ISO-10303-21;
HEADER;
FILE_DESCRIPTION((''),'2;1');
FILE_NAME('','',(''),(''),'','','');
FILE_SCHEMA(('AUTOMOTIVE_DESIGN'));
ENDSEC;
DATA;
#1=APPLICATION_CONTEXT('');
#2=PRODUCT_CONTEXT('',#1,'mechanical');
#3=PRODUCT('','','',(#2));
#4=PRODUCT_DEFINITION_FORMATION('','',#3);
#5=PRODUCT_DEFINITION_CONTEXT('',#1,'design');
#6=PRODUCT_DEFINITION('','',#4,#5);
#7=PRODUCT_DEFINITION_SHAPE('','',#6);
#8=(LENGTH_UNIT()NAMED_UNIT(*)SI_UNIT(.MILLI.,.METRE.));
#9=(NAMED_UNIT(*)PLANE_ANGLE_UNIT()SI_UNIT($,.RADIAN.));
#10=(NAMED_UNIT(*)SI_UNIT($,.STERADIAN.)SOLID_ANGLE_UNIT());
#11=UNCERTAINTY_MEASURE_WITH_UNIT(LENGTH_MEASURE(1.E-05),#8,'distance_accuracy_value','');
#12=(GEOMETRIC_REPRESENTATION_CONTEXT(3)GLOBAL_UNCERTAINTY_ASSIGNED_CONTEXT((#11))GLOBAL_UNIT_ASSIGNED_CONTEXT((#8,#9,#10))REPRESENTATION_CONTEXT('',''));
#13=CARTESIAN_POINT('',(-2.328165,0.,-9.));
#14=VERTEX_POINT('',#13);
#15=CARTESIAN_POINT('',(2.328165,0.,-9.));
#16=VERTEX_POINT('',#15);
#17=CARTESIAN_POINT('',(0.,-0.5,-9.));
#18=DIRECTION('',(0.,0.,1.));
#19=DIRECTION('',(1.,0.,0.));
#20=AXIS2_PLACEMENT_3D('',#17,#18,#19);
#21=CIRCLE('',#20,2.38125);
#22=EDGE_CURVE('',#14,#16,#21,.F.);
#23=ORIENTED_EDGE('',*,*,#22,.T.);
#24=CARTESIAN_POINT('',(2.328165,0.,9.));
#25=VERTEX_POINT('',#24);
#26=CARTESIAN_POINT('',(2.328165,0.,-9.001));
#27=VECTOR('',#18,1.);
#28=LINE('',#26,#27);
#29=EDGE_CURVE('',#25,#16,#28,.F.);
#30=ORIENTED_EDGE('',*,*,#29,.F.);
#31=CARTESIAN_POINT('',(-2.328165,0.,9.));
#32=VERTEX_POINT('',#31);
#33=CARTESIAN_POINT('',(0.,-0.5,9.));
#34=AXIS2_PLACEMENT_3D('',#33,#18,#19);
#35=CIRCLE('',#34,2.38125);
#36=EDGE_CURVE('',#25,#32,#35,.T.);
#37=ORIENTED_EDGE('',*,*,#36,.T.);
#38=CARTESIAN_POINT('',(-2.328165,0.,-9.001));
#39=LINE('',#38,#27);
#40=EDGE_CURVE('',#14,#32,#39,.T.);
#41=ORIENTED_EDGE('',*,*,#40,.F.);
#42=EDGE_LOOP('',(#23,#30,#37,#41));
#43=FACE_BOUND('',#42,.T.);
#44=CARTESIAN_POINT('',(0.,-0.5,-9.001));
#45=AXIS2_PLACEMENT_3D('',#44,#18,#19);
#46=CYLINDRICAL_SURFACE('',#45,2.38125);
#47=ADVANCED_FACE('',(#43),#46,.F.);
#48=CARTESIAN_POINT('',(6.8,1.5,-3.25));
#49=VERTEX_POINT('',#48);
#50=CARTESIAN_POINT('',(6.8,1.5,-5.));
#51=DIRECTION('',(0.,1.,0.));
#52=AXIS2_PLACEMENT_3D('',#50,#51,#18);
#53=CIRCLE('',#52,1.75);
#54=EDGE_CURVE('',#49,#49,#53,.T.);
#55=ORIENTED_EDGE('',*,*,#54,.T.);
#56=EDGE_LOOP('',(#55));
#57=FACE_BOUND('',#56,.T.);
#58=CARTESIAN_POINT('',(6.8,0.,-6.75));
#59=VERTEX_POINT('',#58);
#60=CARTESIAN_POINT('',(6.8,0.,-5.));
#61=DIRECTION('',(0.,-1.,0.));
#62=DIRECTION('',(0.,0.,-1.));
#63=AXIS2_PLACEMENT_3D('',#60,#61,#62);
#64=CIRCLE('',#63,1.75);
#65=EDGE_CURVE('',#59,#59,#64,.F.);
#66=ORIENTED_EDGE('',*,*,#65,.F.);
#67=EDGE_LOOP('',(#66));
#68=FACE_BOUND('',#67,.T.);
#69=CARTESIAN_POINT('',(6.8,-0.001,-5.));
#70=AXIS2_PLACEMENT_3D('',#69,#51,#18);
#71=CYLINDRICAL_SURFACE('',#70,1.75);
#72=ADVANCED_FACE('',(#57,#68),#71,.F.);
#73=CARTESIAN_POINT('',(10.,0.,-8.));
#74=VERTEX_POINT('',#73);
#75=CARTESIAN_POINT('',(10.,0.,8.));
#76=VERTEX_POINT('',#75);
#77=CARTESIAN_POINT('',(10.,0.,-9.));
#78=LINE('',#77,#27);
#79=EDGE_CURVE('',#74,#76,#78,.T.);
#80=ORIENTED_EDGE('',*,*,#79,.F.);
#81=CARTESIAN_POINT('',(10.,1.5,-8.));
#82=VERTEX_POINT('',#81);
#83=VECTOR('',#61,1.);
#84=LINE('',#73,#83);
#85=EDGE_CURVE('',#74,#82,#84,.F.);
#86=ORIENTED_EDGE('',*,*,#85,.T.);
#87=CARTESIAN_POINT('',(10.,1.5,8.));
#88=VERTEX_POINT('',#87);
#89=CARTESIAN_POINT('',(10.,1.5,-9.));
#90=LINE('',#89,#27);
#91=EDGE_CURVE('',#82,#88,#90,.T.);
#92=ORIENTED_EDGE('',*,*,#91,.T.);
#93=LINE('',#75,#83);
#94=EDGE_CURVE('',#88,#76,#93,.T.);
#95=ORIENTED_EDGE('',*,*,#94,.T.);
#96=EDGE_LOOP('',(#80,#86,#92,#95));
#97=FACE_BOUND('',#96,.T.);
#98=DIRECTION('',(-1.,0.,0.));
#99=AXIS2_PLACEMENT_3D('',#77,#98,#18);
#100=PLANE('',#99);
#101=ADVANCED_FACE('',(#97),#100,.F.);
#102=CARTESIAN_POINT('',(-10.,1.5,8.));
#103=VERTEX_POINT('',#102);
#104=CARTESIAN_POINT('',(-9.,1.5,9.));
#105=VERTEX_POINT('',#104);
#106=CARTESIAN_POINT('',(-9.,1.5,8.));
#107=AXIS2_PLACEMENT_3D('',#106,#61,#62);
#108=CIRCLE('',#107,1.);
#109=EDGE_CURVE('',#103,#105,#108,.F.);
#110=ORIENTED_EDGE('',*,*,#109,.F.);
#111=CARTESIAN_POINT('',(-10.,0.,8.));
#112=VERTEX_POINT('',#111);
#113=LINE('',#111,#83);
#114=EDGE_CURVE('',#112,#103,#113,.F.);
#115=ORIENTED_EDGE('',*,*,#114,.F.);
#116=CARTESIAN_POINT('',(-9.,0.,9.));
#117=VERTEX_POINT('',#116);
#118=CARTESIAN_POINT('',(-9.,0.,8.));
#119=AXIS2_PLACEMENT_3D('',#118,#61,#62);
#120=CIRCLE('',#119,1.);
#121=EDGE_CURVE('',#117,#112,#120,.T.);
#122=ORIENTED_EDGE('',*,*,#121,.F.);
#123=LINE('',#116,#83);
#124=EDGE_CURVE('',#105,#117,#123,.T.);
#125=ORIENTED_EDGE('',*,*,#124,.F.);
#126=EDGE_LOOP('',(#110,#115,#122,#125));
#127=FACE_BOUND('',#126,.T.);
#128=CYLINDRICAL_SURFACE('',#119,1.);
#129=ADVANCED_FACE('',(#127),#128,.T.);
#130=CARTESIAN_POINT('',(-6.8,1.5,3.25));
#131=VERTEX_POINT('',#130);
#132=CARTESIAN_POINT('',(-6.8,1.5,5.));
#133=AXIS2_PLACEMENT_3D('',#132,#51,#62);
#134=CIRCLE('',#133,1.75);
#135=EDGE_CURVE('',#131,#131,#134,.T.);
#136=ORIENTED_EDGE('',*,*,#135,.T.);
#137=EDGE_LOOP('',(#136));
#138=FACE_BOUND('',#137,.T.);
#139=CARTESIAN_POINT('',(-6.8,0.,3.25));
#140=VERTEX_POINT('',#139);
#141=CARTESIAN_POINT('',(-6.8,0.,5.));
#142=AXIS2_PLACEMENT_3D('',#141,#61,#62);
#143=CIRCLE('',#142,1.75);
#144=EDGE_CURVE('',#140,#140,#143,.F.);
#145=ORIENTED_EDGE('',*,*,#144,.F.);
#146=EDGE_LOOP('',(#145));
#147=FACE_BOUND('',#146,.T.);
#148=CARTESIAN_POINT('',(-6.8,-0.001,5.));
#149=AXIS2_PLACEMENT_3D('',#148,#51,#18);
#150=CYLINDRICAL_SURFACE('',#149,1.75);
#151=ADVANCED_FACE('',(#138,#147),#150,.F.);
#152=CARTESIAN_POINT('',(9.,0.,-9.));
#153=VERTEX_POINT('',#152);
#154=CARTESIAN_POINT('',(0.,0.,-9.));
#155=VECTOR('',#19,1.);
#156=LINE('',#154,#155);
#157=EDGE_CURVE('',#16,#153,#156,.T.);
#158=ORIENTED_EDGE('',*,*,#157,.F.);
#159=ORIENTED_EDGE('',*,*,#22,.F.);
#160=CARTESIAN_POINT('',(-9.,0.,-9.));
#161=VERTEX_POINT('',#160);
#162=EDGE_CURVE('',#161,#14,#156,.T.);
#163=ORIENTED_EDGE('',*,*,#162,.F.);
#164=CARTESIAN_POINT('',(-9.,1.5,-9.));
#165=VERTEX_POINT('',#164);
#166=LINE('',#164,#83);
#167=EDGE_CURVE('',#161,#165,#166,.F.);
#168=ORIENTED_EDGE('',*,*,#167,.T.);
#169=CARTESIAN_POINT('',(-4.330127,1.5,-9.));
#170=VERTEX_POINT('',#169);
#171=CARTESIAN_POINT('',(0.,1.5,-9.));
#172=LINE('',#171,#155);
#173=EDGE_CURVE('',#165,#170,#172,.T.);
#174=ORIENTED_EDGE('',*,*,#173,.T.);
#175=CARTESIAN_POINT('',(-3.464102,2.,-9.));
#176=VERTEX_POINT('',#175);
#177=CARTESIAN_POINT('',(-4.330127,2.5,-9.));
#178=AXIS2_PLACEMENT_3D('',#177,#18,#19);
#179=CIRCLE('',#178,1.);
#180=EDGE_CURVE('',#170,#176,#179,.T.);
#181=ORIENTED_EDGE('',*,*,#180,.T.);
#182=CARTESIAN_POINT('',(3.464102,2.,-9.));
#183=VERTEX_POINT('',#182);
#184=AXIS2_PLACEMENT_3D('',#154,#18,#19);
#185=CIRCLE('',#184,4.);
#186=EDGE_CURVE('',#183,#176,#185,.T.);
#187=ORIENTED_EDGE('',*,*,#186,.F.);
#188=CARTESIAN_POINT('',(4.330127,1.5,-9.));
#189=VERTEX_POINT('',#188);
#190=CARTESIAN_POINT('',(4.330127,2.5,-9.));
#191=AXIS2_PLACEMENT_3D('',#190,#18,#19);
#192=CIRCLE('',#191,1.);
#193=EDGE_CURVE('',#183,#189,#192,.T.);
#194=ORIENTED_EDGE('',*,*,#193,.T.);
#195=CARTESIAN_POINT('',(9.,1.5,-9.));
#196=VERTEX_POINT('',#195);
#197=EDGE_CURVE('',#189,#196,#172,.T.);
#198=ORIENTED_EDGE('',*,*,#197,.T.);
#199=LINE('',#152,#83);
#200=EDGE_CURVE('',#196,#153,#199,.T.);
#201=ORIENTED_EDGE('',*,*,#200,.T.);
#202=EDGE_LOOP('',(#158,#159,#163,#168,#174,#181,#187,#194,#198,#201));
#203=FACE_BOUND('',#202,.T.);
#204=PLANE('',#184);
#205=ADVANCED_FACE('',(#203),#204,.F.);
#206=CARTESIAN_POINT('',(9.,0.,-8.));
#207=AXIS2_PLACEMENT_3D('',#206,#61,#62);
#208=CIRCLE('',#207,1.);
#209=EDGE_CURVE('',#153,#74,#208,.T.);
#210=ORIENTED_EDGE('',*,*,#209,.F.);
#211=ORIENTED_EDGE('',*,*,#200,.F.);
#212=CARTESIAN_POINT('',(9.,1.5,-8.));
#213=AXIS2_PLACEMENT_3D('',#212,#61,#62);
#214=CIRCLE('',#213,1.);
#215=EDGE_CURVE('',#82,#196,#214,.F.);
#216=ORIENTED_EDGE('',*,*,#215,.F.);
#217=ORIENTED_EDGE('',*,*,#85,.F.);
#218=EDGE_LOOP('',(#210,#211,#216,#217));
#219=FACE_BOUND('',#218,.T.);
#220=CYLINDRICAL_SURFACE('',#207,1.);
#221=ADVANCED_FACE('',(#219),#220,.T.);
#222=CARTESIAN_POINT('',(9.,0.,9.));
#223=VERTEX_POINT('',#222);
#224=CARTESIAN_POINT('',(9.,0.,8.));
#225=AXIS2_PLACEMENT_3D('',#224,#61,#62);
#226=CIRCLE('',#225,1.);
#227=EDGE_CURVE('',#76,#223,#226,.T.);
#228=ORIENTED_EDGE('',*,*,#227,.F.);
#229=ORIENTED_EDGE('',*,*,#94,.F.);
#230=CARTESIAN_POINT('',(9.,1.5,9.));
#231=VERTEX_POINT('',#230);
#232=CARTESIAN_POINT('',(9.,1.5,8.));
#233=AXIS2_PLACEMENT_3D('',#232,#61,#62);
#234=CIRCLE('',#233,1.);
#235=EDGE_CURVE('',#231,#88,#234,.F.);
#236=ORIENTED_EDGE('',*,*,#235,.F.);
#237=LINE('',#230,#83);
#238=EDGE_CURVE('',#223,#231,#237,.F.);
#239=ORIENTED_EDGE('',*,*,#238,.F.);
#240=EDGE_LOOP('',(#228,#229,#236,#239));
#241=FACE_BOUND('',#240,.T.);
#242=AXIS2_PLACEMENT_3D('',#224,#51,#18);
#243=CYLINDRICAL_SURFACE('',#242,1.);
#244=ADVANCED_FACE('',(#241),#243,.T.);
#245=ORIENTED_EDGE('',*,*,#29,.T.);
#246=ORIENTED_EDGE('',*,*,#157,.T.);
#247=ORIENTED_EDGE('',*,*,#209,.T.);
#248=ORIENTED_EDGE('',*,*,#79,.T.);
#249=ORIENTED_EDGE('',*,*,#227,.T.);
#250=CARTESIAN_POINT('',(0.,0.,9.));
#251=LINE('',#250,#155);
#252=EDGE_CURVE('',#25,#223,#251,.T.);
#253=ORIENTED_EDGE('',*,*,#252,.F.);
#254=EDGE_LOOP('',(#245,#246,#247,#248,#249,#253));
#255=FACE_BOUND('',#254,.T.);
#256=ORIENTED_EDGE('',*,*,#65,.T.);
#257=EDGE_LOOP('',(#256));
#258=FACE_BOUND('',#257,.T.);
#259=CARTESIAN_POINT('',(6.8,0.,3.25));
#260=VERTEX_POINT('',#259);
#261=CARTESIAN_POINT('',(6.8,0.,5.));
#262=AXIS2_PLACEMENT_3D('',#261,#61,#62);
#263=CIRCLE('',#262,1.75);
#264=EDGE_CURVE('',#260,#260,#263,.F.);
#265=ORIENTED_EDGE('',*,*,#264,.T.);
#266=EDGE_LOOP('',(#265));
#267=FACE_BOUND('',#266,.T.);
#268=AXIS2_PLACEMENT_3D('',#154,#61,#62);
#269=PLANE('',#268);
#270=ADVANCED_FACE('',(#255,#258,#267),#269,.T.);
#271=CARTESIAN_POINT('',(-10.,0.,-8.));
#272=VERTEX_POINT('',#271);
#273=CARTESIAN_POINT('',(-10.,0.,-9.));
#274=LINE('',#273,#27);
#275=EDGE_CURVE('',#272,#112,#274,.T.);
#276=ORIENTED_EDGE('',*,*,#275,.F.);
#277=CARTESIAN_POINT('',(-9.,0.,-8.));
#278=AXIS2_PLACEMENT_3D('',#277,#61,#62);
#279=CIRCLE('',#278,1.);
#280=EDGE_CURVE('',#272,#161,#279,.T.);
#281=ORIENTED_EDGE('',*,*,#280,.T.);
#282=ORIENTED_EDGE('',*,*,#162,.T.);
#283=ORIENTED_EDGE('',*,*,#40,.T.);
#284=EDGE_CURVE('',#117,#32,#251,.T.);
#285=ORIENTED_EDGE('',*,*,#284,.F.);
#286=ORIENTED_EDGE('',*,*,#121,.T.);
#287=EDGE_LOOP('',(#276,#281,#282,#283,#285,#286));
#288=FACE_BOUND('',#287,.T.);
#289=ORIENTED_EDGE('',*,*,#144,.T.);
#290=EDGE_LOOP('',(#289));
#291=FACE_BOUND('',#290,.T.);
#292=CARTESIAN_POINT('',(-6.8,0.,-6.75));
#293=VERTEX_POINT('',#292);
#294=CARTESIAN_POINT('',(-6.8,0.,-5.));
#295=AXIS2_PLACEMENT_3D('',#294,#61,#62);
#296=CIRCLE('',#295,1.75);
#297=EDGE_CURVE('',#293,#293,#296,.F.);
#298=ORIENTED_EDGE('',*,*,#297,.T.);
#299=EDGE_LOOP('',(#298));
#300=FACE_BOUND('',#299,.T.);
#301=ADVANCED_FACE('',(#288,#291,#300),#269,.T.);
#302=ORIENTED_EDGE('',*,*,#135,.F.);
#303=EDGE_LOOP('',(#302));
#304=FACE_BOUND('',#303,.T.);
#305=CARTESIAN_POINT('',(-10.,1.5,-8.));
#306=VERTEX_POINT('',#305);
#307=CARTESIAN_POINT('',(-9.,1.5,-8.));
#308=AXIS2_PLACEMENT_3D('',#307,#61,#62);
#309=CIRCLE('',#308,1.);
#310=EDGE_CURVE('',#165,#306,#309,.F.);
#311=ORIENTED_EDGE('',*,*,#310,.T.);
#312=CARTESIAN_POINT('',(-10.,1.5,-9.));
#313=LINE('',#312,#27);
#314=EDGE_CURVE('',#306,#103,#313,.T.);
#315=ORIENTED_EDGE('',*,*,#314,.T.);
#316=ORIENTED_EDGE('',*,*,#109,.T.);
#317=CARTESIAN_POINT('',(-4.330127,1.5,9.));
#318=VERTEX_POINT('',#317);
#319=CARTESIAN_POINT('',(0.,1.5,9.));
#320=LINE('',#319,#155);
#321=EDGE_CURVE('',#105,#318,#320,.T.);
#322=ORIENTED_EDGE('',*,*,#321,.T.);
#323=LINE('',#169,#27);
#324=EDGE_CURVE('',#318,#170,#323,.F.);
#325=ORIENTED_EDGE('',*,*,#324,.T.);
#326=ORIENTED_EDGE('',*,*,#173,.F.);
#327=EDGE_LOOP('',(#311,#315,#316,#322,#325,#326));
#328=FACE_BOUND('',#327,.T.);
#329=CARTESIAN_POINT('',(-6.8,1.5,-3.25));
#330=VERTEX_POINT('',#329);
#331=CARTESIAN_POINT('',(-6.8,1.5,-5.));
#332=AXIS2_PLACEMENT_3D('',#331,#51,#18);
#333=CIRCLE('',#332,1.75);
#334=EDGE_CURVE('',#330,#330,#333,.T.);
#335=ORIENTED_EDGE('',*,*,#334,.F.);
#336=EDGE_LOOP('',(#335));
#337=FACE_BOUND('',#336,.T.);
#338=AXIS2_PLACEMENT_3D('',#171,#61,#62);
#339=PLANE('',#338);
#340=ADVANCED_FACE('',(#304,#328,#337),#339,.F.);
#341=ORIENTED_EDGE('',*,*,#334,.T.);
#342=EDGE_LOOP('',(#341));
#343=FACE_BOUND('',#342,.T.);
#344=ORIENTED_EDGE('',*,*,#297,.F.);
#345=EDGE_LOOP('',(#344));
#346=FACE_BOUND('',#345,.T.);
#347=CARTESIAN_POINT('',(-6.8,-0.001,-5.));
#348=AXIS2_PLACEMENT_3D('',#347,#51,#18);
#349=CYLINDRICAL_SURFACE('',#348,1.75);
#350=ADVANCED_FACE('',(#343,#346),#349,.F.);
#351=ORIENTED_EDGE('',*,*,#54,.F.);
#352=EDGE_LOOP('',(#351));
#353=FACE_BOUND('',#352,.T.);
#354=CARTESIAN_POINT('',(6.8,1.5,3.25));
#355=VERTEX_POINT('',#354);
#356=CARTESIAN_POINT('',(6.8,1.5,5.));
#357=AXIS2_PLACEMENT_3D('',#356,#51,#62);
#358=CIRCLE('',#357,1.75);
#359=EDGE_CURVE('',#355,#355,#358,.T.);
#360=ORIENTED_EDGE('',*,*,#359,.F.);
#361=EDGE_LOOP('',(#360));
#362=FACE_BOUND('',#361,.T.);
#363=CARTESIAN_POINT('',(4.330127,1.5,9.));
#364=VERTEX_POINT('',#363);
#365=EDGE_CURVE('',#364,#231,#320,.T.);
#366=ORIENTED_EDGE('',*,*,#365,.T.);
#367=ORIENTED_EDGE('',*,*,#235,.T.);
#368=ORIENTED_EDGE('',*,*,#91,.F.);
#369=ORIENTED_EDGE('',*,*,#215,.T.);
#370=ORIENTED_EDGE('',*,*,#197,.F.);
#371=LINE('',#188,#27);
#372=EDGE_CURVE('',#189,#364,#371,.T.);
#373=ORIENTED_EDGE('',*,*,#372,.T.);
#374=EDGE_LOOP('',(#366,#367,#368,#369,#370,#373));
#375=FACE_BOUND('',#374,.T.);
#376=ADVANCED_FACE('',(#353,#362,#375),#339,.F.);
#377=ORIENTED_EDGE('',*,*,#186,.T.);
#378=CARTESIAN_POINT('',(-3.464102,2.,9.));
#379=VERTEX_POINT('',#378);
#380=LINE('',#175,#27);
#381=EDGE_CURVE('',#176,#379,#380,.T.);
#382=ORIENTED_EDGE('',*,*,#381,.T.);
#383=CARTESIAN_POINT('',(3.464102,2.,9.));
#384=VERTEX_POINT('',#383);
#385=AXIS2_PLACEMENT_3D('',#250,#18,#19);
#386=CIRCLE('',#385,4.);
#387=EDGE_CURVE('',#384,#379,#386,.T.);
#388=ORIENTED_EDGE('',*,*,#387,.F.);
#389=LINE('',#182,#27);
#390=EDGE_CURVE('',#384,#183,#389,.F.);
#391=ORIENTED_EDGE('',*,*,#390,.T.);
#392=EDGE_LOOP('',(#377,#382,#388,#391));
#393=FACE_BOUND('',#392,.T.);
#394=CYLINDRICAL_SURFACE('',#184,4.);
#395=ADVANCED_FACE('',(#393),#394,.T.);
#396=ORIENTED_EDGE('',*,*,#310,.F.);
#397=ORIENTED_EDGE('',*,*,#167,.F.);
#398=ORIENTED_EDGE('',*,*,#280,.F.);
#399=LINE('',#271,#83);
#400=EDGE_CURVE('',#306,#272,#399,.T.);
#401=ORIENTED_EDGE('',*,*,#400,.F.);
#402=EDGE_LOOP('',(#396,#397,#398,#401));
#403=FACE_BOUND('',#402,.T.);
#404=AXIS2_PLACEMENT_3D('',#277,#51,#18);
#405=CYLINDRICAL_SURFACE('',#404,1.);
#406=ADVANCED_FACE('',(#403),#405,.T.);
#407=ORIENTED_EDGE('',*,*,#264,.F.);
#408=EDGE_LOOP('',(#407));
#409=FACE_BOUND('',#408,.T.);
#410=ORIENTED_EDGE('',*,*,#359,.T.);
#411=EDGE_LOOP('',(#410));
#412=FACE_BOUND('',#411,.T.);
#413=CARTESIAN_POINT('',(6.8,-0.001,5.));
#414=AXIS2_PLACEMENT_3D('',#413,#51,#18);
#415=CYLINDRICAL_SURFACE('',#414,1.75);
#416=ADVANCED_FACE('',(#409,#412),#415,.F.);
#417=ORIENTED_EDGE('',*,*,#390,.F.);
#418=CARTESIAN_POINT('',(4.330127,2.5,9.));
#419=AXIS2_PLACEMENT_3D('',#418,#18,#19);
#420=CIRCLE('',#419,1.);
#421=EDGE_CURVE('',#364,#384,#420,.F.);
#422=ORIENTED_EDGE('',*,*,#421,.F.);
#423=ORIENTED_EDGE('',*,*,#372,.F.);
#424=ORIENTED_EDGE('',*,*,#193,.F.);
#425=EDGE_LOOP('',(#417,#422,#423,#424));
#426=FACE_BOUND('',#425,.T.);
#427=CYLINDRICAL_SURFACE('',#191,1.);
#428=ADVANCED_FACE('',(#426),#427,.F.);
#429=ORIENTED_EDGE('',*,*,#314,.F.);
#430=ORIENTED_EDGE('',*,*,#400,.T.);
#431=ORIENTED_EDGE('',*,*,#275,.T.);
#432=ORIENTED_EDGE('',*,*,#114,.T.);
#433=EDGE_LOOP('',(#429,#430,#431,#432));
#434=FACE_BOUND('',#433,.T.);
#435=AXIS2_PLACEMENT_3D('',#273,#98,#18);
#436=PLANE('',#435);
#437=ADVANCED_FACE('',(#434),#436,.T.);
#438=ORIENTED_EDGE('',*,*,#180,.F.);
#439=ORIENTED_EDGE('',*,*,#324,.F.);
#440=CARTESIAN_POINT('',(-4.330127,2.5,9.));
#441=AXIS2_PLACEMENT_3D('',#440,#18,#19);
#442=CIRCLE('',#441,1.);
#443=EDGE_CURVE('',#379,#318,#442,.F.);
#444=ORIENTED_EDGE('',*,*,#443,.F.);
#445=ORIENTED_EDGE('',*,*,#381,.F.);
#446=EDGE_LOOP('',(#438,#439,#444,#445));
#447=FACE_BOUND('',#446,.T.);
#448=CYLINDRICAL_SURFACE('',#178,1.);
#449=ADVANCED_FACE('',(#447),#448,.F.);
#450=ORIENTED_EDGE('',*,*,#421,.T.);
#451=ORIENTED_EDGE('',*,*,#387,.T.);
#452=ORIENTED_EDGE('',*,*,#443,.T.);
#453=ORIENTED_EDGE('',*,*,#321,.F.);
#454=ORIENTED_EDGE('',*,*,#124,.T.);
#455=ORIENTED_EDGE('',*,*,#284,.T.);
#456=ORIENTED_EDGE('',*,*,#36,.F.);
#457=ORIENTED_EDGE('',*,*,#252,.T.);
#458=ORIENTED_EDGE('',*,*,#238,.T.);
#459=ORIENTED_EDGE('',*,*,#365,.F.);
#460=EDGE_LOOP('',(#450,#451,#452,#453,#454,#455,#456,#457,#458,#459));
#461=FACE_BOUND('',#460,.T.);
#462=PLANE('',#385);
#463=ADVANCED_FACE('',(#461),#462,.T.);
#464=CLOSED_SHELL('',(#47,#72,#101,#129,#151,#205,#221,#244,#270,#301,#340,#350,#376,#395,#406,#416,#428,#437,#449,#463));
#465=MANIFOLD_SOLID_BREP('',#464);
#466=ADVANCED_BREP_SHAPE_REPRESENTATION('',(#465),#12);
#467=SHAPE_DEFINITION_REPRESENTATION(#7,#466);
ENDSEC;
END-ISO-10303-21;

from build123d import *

# Parameters (mm, degrees)
BOSS_EXTRUDE1_DEPTH = 9
CUT_EXTRUDE1_REACH  = 20
SKETCH3_R           = 2.38125
CUT_EXTRUDE2_REACH  = 3.5
SKETCH4_R           = 1.75
FILLET1_R           = 1
FILLET2_R           = 1


with BuildPart() as part:
    # Sketch1 → Boss-Extrude1 (new body, symmetric)
    with BuildSketch(Plane.XY):
        with BuildLine():
            Line((-10, 0), (-4, 0))
            ThreePointArc((-4, 0), (-3.92634671, 0.76406905), (-3.708099244, 1.5))
            Line((-3.708099244, 1.5), (-10, 1.5))
            Line((-10, 1.5), (-10, 0))
        make_face()
        with BuildLine():
            Line((-4, 0), (4, 0))
            ThreePointArc((4, 0), (3.92634671, 0.76406905), (3.708099244, 1.5))
            Line((3.708099244, 1.5), (-3.708099244, 1.5))
            ThreePointArc((-3.708099244, 1.5), (-3.92634671, 0.76406905), (-4, 0))
        make_face()
        with BuildLine():
            ThreePointArc((3.708099244, 1.5), (3.92634671, 0.76406905), (4, 0))
            Line((4, 0), (10, 0))
            Line((10, 0), (10, 1.5))
            Line((10, 1.5), (3.708099244, 1.5))
        make_face()
        with BuildLine():
            Line((-3.708099244, 1.5), (3.708099244, 1.5))
            ThreePointArc((3.708099244, 1.5), (0, 4), (-3.708099244, 1.5))
        make_face()
    extrude(amount=BOSS_EXTRUDE1_DEPTH, both=True)

    # Sketch3 → Cut-Extrude1 (cut, up to next)
    with BuildSketch(Plane.XY.offset(9), mode=Mode.PRIVATE) as cut_extrude1_sk1:
        with Locations((0, -0.5)):
            Circle(SKETCH3_R)
    cut_extrude1_tool1 = extrude(cut_extrude1_sk1.sketch, amount=-CUT_EXTRUDE1_REACH, mode=Mode.PRIVATE) & part.part
    add(cut_extrude1_tool1.solids().sort_by_distance((0, -0.5, 9))[0], mode=Mode.SUBTRACT)

    # Sketch4 → Cut-Extrude2 (cut, up to next)
    with BuildSketch(Plane(origin=(0, 1.5, 0), x_dir=(1, 0, 0), z_dir=(0, 1, 0)), mode=Mode.PRIVATE) as cut_extrude2_sk1:
        with Locations((-6.8, 5)):
            Circle(SKETCH4_R)
    cut_extrude2_tool1 = extrude(cut_extrude2_sk1.sketch, amount=-CUT_EXTRUDE2_REACH, mode=Mode.PRIVATE) & part.part
    add(cut_extrude2_tool1.solids().sort_by_distance((-6.8, 1.5, -5))[0], mode=Mode.SUBTRACT)
    # Sketch4 → Cut-Extrude2 (cut, up to next)
    with BuildSketch(Plane(origin=(0, 1.5, 0), x_dir=(1, 0, 0), z_dir=(0, 1, 0)), mode=Mode.PRIVATE) as cut_extrude2_sk2:
        with Locations((6.8, 5)):
            Circle(SKETCH4_R)
    cut_extrude2_tool2 = extrude(cut_extrude2_sk2.sketch, amount=-CUT_EXTRUDE2_REACH, mode=Mode.PRIVATE) & part.part
    add(cut_extrude2_tool2.solids().sort_by_distance((6.8, 1.5, -5))[0], mode=Mode.SUBTRACT)
    # Sketch4 → Cut-Extrude2 (cut, up to next)
    with BuildSketch(Plane(origin=(0, 1.5, 0), x_dir=(1, 0, 0), z_dir=(0, 1, 0)), mode=Mode.PRIVATE) as cut_extrude2_sk3:
        with Locations((6.8, -5)):
            Circle(SKETCH4_R)
    cut_extrude2_tool3 = extrude(cut_extrude2_sk3.sketch, amount=-CUT_EXTRUDE2_REACH, mode=Mode.PRIVATE) & part.part
    add(cut_extrude2_tool3.solids().sort_by_distance((6.8, 1.5, 5))[0], mode=Mode.SUBTRACT)
    # Sketch4 → Cut-Extrude2 (cut, up to next)
    with BuildSketch(Plane(origin=(0, 1.5, 0), x_dir=(1, 0, 0), z_dir=(0, 1, 0)), mode=Mode.PRIVATE) as cut_extrude2_sk4:
        with Locations((-6.8, -5)):
            Circle(SKETCH4_R)
    cut_extrude2_tool4 = extrude(cut_extrude2_sk4.sketch, amount=-CUT_EXTRUDE2_REACH, mode=Mode.PRIVATE) & part.part
    add(cut_extrude2_tool4.solids().sort_by_distance((-6.8, 1.5, 5))[0], mode=Mode.SUBTRACT)

    # Fillet1
    fillet1_edges = [part.edges().sort_by_distance(p)[0] for p in [
        (10, 0.75, -9),
        (-10, 0.75, -9),
        (-10, 0.75, 9),
        (10, 0.75, 9),
    ]]
    fillet(fillet1_edges, radius=FILLET1_R)

    # Fillet2
    fillet2_edges = [part.edges().sort_by_distance(p)[0] for p in [
        (-3.708099244, 1.5, 0),
        (3.708099244, 1.5, 0),
    ]]
    fillet(fillet2_edges, radius=FILLET2_R)


solid = part.part
